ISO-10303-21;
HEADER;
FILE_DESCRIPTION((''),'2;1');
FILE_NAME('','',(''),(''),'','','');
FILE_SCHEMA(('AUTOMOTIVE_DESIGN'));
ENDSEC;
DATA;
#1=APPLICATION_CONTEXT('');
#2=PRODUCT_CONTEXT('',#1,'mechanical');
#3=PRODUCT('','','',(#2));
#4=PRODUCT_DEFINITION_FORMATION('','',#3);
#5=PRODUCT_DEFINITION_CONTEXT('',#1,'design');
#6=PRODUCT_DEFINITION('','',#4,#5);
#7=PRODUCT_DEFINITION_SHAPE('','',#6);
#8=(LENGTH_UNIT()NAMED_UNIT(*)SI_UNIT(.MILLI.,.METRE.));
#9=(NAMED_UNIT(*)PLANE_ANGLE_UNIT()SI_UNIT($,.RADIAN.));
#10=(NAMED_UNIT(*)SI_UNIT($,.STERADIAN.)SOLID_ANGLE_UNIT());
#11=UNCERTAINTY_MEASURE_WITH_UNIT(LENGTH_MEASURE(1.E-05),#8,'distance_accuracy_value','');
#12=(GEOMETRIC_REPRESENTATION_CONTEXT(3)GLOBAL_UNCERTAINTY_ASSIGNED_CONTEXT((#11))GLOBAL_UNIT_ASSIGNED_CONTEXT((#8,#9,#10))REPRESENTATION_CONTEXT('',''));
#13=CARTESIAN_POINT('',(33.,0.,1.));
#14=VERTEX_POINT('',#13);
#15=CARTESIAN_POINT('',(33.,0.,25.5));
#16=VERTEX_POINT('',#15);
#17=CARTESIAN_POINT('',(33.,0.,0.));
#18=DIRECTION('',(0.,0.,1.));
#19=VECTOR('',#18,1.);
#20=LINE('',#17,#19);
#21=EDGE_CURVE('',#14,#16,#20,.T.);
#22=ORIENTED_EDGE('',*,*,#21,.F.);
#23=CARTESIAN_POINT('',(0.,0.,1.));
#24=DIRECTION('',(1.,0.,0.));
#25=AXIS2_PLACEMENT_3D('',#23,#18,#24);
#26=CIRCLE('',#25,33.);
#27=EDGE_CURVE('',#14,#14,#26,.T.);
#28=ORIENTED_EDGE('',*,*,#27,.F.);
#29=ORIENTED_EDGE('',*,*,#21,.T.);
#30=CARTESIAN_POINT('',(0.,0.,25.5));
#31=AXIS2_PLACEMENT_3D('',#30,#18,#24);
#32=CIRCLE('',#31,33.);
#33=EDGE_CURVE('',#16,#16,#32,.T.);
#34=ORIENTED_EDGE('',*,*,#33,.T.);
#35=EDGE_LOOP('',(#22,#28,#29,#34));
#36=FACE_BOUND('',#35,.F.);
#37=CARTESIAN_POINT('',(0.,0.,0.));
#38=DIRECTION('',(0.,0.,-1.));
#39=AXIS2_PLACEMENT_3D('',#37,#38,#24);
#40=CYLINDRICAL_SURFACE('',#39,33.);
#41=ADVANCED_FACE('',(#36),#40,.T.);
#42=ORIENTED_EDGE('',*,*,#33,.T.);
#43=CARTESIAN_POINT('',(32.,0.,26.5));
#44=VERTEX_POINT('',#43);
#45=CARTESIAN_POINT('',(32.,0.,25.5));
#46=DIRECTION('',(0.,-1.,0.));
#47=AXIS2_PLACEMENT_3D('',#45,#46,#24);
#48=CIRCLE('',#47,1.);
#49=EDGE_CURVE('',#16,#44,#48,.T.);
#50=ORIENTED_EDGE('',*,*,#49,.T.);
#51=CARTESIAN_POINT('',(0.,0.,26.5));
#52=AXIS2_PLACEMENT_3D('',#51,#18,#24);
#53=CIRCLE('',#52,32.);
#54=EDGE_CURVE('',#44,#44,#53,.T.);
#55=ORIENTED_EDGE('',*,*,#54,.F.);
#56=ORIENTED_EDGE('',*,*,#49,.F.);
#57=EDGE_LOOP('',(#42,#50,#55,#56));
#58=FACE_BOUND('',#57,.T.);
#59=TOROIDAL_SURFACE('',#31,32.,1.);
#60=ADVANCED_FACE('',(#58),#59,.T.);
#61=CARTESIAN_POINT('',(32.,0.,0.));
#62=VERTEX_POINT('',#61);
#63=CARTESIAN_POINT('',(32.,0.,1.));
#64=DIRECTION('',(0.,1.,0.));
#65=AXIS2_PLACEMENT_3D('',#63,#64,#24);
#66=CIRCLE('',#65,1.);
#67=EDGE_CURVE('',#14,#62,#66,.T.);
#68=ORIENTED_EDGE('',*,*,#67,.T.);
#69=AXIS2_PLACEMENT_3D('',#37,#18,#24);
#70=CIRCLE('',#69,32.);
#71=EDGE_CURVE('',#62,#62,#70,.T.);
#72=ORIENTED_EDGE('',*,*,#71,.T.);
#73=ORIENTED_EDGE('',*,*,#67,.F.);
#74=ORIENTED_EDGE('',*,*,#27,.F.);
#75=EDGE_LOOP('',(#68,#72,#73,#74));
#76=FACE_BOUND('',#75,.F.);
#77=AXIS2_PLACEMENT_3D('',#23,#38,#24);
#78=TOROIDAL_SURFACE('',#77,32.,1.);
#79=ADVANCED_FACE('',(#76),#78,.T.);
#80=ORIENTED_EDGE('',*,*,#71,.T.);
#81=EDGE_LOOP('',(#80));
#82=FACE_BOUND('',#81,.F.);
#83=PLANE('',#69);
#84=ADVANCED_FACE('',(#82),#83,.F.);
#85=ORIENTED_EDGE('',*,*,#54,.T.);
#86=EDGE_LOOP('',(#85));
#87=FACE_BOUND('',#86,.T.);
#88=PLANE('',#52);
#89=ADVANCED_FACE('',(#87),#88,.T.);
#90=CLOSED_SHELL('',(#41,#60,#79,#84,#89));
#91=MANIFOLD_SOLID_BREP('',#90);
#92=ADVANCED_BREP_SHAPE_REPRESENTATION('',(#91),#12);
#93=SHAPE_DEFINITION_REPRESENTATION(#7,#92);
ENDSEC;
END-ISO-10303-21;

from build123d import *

# Parameters (mm, degrees)
SKETCH_R    = 33
PAD_DEPTH   = 26.5
FILLET_R    = 1
FILLET001_R = 1


with BuildPart() as part:
    # Sketch → Pad (new body)
    with BuildSketch(Plane.XY):
        Circle(SKETCH_R)
    extrude(amount=PAD_DEPTH)

    # Fillet
    fillet_edges = [part.edges().sort_by_distance(p)[0] for p in [
        (-33, 0, 0),
    ]]
    fillet(fillet_edges, radius=FILLET_R)

    # Fillet001
    fillet001_edges = [part.edges().sort_by_distance(p)[0] for p in [
        (-33, 0, 26.5),
    ]]
    fillet(fillet001_edges, radius=FILLET001_R)


solid = part.part
